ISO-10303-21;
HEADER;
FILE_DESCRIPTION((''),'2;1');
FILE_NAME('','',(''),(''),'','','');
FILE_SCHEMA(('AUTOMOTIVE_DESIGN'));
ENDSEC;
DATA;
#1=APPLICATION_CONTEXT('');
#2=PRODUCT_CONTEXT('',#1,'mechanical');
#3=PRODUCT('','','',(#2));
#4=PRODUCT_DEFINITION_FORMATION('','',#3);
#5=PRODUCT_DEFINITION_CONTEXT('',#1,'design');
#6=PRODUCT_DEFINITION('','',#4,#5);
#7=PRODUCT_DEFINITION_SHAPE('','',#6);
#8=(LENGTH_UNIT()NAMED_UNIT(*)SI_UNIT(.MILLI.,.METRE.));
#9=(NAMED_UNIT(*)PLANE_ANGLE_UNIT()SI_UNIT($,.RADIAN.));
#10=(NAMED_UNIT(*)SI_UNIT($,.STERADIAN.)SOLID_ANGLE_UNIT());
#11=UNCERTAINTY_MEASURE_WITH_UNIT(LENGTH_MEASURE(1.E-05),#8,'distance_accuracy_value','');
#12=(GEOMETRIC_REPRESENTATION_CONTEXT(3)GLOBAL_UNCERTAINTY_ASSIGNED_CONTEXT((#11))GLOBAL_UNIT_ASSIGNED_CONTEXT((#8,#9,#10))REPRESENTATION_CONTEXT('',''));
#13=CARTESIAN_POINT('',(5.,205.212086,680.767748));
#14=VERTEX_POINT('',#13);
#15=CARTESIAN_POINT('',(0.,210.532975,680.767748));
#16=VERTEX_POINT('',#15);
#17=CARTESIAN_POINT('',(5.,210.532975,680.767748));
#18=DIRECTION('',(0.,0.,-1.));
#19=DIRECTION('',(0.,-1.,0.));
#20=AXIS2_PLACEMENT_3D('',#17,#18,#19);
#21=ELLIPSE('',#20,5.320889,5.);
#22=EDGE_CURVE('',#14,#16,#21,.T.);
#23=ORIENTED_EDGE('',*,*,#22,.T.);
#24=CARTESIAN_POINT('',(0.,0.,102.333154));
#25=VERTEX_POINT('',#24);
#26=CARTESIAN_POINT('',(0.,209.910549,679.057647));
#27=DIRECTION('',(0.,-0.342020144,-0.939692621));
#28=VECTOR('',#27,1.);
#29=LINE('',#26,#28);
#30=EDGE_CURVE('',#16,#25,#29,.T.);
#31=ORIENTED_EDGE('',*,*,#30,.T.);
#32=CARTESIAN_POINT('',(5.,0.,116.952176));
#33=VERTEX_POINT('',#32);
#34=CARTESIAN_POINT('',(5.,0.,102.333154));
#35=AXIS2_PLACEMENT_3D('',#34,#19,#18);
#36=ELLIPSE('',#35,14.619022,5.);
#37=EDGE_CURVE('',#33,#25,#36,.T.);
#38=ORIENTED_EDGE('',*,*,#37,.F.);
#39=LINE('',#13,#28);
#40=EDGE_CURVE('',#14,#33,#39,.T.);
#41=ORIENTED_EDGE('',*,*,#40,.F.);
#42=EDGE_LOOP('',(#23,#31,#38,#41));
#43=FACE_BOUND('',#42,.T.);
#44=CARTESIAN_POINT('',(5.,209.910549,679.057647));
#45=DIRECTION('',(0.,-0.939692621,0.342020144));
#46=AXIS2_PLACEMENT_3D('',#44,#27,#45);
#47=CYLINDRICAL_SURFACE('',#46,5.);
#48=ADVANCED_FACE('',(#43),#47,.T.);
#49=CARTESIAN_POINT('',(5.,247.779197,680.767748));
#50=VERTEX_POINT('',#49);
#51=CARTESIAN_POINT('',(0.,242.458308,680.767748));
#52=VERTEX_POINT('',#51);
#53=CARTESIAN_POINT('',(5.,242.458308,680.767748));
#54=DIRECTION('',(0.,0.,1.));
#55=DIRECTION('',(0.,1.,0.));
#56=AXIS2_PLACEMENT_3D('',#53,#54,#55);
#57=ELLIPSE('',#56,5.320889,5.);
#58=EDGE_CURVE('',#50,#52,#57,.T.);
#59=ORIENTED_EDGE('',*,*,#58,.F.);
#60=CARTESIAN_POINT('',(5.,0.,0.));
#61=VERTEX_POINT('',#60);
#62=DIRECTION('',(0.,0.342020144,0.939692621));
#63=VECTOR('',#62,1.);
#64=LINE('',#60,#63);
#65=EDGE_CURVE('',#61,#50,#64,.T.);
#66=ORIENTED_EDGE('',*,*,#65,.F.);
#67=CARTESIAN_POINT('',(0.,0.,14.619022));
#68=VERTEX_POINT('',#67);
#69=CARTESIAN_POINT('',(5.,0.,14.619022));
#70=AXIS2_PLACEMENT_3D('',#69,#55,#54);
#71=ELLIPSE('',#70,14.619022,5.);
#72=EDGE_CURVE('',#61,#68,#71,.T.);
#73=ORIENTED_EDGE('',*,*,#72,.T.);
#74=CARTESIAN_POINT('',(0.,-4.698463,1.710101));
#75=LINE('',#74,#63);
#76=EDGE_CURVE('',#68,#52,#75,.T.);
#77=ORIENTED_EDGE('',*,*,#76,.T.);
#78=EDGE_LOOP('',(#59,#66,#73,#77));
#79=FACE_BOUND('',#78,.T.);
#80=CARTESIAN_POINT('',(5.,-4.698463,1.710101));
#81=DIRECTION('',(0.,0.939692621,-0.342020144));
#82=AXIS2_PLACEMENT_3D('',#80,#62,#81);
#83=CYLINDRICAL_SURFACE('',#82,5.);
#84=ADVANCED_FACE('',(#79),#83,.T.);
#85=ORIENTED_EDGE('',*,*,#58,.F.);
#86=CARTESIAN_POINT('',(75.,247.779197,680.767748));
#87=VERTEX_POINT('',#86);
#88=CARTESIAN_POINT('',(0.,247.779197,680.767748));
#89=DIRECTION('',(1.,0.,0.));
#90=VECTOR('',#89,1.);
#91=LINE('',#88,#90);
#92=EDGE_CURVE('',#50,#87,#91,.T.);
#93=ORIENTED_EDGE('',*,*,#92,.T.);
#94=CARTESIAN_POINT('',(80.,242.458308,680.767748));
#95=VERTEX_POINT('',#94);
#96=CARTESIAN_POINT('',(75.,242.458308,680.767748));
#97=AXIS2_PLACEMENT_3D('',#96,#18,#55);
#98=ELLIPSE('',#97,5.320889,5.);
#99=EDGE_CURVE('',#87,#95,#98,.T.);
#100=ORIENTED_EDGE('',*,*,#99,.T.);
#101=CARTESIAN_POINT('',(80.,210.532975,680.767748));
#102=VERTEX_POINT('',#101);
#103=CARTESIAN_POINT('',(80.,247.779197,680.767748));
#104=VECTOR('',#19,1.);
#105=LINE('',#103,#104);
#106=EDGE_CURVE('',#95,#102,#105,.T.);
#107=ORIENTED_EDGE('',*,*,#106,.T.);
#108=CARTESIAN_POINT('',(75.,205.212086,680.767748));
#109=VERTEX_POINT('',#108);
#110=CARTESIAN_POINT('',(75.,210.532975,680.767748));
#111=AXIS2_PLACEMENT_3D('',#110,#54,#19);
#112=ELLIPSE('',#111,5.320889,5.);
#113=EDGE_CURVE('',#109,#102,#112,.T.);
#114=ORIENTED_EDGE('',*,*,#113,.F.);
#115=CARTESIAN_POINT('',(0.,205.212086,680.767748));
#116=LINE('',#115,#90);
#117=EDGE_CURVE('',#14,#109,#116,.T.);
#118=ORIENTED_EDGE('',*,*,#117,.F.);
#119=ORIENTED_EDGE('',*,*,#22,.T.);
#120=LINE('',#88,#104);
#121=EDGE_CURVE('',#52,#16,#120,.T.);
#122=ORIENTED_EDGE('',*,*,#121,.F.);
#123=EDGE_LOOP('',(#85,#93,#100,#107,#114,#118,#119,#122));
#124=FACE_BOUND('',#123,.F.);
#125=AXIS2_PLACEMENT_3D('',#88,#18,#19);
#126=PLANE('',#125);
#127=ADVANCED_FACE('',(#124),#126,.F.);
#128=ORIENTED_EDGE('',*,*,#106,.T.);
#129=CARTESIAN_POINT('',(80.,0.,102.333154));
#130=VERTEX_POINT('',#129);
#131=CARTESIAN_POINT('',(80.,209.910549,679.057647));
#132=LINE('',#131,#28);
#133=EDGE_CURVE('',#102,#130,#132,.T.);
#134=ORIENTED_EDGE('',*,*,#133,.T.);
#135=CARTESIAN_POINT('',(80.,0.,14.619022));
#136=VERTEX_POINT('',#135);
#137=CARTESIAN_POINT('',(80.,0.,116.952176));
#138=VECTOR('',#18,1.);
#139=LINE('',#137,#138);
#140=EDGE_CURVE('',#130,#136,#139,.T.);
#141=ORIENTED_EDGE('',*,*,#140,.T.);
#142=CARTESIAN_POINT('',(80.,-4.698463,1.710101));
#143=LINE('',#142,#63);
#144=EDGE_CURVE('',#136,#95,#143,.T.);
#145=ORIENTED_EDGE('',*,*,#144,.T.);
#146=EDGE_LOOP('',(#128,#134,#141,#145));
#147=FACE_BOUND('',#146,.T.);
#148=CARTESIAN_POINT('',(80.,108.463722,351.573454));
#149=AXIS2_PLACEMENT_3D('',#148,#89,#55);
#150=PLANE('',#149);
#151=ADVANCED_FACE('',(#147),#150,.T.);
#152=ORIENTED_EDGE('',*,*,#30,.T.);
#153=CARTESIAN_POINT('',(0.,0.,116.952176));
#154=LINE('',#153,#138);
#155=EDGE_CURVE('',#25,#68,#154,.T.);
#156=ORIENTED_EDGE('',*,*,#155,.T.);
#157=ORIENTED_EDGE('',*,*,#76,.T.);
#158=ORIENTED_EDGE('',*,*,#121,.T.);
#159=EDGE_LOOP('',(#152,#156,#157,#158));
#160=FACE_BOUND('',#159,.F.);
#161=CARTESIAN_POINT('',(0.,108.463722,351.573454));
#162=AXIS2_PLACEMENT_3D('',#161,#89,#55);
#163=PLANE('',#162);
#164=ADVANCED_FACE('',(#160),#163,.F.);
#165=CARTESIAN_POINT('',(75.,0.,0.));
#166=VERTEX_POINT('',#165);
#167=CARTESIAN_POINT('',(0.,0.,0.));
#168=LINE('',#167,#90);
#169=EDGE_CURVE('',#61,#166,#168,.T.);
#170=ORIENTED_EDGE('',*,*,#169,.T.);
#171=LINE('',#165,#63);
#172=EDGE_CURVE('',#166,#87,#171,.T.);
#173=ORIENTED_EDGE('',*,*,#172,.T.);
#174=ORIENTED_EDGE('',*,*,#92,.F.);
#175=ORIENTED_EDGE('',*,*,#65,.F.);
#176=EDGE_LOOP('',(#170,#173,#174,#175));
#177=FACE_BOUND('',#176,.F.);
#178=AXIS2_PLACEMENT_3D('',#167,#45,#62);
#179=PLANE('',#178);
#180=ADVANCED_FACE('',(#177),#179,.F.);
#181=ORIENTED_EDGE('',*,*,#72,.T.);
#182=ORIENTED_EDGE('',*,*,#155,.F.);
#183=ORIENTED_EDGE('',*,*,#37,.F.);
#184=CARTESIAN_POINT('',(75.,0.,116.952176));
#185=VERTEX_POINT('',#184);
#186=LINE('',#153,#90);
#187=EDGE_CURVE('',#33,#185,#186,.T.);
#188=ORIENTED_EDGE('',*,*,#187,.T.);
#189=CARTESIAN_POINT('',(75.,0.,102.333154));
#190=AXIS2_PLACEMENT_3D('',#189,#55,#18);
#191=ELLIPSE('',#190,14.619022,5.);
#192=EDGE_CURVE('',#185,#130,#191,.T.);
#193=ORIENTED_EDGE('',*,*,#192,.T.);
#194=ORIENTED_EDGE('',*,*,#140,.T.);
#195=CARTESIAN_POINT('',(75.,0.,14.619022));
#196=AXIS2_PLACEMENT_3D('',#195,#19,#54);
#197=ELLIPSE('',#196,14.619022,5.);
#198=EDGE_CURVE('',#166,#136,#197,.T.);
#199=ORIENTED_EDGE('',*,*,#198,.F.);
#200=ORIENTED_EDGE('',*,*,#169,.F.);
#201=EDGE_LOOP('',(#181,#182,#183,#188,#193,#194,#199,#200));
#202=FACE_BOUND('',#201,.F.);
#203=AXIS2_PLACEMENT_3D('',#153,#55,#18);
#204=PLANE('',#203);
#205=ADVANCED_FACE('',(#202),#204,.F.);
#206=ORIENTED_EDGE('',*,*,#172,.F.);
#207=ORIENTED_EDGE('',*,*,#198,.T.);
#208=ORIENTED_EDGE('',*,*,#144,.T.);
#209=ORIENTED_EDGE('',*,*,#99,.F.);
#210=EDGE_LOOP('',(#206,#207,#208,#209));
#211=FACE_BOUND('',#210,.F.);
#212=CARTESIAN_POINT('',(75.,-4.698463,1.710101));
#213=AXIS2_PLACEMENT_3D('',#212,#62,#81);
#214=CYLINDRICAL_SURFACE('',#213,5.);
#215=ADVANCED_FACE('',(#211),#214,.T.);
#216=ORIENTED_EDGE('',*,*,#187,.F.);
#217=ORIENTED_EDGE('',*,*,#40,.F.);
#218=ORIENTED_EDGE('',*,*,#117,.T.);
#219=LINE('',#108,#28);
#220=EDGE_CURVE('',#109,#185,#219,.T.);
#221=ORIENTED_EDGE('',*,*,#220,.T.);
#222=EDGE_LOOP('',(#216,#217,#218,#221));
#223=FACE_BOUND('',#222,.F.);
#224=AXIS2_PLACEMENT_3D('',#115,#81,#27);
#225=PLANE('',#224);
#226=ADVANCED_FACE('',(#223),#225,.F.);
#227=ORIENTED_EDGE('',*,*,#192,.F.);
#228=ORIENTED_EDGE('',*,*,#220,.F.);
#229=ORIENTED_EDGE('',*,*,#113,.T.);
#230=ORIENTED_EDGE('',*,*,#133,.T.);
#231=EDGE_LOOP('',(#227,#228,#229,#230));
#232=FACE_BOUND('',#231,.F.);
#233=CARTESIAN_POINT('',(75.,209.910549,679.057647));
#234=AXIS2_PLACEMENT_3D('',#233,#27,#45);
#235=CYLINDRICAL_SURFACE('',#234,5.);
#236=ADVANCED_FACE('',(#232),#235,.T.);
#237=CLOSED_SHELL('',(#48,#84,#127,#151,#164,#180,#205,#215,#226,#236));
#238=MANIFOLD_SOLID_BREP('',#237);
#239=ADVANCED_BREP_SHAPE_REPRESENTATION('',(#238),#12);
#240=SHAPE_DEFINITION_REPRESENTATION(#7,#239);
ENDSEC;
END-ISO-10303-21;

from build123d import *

# Parameters (mm, degrees)
F1_DEPTH = 80
F2_R     = 5


with BuildPart() as f1:
    # F0 (on Right) → F1 (new body)
    with BuildSketch(Plane.YZ):
        Polygon((0, 116.952176), (0, 0), (247.779197, 680.767748), (205.212086, 680.767748), align=None)
    extrude(amount=F1_DEPTH)

    # F2
    f2_edges = [f1.edges().sort_by_distance(p)[0] for p in [
        (80, 123.889598, 340.383874),
        (80, 102.606043, 398.859962),
        (0, 102.606043, 398.859962),
        (0, 123.889598, 340.383874),
    ]]
    fillet(f2_edges, radius=F2_R)


solid = f1.part
